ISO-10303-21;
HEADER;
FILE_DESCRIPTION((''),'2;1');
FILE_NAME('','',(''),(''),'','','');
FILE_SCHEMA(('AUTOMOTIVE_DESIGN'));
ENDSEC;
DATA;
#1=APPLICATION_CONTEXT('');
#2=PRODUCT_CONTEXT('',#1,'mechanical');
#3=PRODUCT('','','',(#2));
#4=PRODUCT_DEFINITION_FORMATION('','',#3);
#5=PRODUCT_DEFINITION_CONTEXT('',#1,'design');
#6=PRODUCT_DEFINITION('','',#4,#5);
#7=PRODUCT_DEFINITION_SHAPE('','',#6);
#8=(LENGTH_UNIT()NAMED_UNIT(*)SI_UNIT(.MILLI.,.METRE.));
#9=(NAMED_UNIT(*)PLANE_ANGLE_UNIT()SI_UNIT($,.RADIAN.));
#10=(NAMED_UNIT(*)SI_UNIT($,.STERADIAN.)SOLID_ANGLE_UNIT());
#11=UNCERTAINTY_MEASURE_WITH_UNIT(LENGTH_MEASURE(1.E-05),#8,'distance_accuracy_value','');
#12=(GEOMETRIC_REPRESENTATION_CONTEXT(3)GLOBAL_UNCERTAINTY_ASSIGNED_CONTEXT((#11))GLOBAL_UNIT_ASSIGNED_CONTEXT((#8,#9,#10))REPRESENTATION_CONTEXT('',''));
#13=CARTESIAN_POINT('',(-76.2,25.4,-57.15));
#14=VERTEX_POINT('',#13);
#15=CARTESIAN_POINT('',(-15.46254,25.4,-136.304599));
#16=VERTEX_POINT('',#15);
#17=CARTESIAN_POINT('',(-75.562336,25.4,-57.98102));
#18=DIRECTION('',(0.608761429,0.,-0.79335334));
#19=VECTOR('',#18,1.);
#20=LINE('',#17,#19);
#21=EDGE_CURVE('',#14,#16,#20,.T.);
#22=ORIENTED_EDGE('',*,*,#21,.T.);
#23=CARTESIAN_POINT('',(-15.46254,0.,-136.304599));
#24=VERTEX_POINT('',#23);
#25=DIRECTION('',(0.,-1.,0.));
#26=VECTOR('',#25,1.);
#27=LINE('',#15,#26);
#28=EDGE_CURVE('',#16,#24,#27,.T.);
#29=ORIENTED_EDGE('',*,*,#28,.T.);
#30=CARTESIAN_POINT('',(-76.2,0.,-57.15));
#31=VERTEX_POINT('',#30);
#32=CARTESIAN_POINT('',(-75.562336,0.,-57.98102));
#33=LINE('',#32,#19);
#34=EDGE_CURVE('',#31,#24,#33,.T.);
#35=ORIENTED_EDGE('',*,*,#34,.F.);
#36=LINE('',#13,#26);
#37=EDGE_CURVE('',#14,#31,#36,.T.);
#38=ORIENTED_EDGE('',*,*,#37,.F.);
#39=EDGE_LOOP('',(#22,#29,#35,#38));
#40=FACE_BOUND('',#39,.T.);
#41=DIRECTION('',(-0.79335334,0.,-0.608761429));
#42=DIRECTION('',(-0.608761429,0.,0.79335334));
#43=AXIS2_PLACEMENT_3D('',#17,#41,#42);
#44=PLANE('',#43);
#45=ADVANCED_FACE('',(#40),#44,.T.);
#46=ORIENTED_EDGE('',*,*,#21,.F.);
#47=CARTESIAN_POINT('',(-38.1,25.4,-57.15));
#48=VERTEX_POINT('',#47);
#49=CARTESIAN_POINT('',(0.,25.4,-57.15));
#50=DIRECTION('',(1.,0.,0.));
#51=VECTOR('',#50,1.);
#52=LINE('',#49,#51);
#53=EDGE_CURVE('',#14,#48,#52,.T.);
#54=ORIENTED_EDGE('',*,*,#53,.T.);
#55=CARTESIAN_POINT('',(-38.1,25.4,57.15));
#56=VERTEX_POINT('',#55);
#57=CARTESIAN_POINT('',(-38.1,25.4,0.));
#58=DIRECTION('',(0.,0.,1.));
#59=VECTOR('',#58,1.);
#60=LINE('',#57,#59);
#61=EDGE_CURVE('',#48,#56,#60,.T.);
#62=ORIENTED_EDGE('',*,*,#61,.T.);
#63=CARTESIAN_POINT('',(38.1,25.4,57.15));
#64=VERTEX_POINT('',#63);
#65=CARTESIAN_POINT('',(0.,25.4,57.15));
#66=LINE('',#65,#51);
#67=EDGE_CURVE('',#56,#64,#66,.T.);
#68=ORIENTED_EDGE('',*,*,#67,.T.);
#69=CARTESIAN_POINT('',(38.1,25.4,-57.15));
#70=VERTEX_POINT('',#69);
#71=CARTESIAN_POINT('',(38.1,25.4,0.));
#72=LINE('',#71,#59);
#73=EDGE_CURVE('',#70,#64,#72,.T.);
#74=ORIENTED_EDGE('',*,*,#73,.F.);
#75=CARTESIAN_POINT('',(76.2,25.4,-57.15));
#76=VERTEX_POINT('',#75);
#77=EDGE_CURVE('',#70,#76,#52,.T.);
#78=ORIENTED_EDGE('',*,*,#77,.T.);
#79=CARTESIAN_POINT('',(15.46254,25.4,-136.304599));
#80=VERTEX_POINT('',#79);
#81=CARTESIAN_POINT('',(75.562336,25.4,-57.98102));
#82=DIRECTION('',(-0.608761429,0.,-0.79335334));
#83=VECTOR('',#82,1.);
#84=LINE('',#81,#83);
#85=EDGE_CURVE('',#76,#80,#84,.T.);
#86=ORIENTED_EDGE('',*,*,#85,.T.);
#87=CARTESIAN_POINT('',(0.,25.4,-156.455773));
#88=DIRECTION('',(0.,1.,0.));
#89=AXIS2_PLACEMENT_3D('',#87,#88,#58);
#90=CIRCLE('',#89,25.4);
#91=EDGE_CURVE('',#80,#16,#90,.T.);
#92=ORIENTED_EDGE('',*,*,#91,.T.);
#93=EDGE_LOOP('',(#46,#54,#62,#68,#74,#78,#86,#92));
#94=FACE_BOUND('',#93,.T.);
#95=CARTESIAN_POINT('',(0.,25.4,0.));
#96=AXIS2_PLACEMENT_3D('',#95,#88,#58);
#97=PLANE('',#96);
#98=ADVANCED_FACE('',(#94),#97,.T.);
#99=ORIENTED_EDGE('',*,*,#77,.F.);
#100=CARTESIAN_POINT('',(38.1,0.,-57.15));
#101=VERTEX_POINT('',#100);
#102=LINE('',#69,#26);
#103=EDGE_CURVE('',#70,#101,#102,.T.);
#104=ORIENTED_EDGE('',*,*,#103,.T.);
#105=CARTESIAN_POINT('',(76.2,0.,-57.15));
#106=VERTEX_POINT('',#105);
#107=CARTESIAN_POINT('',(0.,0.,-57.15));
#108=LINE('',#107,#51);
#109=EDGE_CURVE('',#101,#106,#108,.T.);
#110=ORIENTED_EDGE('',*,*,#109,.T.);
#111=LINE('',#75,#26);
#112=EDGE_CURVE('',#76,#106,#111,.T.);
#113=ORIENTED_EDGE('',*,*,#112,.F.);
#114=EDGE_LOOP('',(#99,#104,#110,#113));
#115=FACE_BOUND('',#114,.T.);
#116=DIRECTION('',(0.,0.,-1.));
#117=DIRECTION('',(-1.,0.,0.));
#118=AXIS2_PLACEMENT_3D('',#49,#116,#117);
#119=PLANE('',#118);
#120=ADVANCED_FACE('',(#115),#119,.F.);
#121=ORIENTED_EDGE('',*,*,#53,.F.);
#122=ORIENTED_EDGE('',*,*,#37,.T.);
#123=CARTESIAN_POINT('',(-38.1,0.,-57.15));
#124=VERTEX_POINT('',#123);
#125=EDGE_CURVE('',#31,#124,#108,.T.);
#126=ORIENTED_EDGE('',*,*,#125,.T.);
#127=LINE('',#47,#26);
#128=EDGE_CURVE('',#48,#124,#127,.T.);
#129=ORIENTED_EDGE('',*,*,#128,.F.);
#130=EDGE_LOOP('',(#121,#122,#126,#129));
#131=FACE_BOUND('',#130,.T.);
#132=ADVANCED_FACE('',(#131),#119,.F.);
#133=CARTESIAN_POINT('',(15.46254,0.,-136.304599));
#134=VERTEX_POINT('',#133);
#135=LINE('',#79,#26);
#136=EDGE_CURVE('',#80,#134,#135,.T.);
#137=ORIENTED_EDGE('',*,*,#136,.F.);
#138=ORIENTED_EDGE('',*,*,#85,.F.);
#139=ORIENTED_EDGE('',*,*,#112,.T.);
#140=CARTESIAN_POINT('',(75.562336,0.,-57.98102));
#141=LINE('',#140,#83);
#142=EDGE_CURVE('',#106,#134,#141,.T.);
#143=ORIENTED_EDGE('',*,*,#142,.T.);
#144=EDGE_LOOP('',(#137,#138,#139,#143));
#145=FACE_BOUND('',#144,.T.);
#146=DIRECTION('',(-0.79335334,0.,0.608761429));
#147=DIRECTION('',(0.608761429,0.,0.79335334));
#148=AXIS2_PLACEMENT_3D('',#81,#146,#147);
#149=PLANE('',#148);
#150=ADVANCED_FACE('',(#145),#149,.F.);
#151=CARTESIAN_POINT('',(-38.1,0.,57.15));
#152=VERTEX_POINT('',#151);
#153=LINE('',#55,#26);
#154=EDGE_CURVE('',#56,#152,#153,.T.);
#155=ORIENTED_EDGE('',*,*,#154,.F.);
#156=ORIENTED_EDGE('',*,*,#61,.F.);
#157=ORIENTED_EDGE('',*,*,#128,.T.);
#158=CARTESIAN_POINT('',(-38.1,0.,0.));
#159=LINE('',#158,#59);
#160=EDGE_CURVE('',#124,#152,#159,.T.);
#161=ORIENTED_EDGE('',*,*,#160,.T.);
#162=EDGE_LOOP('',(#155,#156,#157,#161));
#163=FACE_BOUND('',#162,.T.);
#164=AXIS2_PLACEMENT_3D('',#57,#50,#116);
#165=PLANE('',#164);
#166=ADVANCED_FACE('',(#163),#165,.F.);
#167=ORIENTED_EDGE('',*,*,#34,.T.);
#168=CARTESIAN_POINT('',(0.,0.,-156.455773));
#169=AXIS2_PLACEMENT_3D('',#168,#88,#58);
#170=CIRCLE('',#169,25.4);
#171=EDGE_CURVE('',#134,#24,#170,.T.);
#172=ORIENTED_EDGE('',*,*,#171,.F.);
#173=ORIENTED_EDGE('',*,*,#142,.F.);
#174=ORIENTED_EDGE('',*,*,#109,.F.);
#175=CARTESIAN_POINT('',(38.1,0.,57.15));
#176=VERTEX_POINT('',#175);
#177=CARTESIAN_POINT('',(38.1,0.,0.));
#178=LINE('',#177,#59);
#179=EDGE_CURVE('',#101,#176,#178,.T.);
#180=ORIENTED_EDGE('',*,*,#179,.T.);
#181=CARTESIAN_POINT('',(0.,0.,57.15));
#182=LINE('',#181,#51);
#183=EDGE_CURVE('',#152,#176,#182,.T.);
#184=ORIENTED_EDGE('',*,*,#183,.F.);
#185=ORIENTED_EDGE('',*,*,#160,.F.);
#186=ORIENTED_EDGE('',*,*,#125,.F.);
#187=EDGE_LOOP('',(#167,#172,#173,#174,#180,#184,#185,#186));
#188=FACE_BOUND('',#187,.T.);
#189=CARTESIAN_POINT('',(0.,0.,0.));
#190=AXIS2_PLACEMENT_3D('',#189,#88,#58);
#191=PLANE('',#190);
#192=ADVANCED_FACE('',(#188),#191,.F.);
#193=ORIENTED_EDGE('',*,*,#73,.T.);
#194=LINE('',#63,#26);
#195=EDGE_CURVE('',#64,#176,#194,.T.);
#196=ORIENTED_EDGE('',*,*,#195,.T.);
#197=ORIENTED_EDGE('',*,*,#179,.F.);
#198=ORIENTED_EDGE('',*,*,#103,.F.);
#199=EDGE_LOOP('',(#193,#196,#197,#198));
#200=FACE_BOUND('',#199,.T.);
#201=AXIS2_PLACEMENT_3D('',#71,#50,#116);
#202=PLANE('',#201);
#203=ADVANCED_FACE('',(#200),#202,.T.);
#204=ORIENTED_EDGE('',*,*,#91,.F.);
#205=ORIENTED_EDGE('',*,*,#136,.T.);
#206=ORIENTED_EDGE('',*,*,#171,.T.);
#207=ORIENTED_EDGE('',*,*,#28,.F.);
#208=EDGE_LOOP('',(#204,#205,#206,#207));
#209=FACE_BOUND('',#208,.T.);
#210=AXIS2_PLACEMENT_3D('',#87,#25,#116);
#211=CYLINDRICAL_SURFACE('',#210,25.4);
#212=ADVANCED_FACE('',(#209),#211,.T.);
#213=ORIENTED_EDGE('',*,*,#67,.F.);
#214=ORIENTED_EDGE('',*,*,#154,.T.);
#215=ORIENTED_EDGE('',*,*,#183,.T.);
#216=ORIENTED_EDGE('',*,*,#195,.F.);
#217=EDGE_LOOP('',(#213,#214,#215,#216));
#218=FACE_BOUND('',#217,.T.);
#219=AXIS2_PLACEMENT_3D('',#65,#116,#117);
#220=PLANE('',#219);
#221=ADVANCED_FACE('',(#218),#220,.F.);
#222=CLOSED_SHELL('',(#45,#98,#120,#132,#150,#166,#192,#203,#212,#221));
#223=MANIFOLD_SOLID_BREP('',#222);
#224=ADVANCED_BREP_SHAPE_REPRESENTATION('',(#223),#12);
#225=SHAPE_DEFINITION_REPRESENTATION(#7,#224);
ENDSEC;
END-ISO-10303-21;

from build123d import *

# Parameters (mm, degrees)
SKETCH1_W           = 76.2
SKETCH1_H           = 114.3
BOSS_EXTRUDE1_DEPTH = 25.4


with BuildPart() as part:
    # Sketch1 → Boss-Extrude1 (new body)
    with BuildSketch(Plane(origin=(0, 0, 0), x_dir=(1, 0, 0), z_dir=(0, 1, 0))):
        Polygon((-76.2, 57.15), (76.2, 57.15), (0, 156.455773411), align=None)
        Rectangle(SKETCH1_W, SKETCH1_H)
        with BuildLine():
            ThreePointArc((25.4, 156.455773411), (-11.234132732, 179.236341045), (-15.462540297, 136.304598567))
            Line((-15.462540297, 136.304598567), (0, 156.455773411))
            Line((0, 156.455773411), (15.462540297, 136.304598567))
            ThreePointArc((15.462540297, 136.304598567), (22.780567635, 145.221640679), (25.4, 156.455773411))
        make_face()
        with BuildLine():
            Line((0, 156.455773411), (-15.462540297, 136.304598567))
            ThreePointArc((-15.462540297, 136.304598567), (0, 131.055773411), (15.462540297, 136.304598567))
            Line((15.462540297, 136.304598567), (0, 156.455773411))
        make_face()
    extrude(amount=BOSS_EXTRUDE1_DEPTH)


solid = part.part
